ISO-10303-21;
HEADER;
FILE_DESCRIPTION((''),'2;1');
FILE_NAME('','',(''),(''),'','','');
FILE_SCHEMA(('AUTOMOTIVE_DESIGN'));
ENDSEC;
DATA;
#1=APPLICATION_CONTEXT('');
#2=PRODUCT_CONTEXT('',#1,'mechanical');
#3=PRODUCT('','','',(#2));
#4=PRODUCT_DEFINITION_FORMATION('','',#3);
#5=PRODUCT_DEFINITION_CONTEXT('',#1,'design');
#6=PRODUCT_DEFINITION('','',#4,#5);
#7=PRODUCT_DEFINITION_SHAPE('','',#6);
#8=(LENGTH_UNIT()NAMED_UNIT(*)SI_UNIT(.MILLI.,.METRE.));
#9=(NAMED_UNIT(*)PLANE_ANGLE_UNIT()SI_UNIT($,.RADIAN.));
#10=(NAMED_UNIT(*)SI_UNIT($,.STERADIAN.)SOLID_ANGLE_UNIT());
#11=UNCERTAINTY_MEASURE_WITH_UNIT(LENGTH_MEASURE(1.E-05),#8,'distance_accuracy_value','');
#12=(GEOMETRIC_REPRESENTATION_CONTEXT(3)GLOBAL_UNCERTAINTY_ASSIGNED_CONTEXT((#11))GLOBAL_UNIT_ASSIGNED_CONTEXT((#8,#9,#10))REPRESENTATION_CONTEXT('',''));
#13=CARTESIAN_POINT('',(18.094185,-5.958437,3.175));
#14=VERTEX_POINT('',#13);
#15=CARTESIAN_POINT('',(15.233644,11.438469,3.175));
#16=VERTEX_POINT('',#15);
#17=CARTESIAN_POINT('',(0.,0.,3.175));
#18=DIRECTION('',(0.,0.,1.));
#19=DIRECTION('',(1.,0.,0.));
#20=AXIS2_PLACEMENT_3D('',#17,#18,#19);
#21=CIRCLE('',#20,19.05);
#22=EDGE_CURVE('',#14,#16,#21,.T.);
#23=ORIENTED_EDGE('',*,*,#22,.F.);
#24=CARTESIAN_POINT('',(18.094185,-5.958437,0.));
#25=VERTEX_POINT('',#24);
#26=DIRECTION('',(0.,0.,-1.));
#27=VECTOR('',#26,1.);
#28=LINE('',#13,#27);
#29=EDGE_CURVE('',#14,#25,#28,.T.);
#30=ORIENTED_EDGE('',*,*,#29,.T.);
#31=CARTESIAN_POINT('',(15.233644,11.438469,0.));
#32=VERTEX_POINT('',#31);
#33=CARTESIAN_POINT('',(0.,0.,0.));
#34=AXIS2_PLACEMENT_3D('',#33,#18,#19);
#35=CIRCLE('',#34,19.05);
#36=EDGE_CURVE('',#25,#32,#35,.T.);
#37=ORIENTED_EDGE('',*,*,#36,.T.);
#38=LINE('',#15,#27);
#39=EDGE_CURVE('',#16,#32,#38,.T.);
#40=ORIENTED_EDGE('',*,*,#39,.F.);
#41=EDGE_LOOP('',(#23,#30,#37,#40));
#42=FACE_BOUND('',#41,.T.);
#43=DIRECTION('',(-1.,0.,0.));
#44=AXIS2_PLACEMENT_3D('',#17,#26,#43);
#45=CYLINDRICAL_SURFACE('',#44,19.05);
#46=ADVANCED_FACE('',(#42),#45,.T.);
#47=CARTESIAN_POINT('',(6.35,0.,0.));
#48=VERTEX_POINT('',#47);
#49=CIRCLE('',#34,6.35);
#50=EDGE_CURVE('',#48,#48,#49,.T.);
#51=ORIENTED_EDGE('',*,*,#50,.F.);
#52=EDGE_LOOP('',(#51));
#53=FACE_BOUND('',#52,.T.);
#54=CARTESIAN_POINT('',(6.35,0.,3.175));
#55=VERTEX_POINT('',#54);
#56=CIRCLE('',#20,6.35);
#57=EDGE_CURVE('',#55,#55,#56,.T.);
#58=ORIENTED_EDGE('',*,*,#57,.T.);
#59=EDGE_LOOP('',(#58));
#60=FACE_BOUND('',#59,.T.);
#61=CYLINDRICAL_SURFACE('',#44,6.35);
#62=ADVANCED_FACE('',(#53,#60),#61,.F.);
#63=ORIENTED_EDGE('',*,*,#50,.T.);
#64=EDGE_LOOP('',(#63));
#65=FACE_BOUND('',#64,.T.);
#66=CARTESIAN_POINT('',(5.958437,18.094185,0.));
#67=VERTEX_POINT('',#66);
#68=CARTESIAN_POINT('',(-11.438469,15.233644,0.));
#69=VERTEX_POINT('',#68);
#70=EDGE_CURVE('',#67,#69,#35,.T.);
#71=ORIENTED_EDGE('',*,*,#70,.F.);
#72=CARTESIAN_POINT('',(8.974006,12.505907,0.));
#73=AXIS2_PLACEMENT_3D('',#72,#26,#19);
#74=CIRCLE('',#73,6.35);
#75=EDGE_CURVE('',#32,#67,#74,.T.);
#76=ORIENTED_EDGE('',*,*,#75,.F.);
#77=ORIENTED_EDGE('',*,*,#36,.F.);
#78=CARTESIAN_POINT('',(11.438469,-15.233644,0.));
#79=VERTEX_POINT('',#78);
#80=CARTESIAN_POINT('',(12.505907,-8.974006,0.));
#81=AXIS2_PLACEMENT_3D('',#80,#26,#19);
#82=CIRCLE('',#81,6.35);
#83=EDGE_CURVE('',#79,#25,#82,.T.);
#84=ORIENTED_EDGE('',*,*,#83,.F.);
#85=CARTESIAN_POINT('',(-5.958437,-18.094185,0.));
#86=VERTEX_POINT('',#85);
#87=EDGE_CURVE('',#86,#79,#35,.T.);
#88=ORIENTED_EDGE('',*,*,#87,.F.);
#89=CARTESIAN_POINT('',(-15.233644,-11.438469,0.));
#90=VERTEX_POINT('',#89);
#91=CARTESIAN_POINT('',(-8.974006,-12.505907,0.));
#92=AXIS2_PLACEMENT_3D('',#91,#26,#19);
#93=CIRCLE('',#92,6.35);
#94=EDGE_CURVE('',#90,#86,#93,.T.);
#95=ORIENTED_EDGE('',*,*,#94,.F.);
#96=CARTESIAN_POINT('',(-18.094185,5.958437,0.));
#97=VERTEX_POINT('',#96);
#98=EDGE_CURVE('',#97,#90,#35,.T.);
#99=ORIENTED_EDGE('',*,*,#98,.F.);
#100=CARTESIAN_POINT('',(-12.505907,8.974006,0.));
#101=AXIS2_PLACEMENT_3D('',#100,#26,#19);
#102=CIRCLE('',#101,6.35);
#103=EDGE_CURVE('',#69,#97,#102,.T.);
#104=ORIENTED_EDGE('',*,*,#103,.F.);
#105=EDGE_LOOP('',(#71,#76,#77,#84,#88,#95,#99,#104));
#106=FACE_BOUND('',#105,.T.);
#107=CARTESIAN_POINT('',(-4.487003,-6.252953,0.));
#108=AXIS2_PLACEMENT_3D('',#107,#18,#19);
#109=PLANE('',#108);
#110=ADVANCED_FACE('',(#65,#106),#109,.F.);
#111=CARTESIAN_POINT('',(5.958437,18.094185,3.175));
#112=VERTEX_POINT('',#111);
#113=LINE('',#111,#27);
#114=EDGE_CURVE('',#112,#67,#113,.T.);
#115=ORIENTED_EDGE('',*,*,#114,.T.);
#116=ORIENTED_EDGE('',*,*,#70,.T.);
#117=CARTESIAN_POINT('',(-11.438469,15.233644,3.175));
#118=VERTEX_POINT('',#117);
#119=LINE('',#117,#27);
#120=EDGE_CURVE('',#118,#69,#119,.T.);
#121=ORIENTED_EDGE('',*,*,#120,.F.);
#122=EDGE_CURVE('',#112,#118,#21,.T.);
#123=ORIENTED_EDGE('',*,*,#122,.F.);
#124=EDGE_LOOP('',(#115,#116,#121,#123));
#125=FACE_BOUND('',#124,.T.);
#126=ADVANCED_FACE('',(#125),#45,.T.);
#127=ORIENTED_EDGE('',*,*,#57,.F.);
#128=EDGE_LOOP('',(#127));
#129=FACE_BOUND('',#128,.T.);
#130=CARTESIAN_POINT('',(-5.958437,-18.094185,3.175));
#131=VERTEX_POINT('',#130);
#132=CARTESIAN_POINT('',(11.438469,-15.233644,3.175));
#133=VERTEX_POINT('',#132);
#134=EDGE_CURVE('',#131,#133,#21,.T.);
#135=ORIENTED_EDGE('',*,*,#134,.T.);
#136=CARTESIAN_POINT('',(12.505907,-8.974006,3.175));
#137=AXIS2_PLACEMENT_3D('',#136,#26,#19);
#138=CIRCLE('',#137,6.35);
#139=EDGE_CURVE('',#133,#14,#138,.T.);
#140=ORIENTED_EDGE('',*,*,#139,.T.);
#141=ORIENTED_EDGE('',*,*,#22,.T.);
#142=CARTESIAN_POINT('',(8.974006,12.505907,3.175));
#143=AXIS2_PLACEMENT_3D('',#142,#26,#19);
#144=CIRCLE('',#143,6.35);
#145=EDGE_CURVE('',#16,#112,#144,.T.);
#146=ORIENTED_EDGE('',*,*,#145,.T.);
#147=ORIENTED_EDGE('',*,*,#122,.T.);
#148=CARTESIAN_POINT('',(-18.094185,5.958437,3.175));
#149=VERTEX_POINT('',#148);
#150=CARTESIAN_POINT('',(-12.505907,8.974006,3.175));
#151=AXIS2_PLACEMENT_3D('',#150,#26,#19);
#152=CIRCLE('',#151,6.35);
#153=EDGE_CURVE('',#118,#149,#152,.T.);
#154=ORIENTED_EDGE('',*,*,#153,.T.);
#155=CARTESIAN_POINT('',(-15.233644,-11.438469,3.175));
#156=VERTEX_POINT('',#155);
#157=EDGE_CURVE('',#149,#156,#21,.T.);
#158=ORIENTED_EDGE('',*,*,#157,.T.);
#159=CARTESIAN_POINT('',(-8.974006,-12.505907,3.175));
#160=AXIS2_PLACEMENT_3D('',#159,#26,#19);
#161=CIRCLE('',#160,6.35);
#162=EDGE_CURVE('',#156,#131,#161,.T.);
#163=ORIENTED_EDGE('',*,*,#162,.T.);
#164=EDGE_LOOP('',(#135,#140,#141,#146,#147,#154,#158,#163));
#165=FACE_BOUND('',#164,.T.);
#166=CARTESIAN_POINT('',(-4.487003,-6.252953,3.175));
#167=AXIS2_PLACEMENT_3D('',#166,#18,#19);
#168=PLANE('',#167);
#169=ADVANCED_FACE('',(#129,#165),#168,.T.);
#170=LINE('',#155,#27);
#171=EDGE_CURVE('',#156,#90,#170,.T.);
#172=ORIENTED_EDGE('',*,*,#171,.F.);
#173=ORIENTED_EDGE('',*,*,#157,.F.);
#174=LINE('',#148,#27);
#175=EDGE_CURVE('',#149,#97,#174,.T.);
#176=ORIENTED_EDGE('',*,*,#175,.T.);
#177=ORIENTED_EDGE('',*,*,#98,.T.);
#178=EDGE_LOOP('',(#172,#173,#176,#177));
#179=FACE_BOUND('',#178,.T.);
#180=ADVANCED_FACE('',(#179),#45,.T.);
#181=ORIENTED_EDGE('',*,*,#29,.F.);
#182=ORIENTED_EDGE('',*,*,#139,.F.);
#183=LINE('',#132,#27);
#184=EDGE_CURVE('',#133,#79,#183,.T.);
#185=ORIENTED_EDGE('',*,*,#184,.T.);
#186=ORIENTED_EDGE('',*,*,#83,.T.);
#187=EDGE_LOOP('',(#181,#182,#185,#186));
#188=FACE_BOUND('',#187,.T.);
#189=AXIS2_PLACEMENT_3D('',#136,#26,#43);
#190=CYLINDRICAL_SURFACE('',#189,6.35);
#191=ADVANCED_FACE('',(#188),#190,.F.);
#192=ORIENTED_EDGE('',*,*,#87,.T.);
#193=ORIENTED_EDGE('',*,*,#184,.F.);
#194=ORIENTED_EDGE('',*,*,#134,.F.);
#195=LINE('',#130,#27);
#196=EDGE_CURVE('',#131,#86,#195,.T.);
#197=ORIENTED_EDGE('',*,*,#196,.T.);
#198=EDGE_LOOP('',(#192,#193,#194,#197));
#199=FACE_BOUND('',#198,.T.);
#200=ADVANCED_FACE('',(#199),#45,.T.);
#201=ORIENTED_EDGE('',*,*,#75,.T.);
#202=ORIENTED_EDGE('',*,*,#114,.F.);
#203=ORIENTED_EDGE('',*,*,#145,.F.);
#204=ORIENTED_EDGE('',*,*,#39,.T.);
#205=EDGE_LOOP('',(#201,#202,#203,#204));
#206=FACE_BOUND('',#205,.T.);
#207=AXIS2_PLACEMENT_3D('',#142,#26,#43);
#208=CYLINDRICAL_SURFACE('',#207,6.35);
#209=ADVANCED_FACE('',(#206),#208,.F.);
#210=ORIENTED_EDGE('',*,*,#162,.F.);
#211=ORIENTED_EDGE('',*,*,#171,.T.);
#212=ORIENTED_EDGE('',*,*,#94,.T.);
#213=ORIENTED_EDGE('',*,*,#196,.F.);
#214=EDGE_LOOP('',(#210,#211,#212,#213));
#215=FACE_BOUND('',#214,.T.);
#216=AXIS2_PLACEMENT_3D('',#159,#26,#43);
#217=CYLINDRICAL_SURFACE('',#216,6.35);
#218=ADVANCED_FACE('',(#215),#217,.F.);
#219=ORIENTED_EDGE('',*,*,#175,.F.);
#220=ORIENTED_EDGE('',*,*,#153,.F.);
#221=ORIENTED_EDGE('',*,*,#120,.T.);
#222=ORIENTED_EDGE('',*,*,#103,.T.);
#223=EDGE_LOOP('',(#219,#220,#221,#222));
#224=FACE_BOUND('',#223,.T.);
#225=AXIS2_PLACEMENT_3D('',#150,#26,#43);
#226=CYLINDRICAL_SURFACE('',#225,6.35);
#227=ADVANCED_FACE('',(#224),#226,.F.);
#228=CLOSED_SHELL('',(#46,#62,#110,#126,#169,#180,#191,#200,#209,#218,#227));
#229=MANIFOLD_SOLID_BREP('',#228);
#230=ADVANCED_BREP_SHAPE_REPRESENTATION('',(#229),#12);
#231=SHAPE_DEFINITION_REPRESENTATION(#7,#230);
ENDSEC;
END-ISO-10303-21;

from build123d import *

# Parameters (mm, degrees)
SKETCH1_R           = 6.35
BOSS_EXTRUDE1_DEPTH = 3.175


with BuildPart() as part:
    # Sketch1 → Boss-Extrude1 (new body)
    with BuildSketch(Plane.XY):
        with BuildLine():
            ThreePointArc((-18.094184787, 5.958437454), (-18.797583349, -3.090851056), (-15.233644329, -11.438469323))
            ThreePointArc((-15.233644329, -11.438469323), (-5.271893312, -7.346753532), (-5.958437454, -18.094184787))
            ThreePointArc((-5.958437454, -18.094184787), (3.090851056, -18.797583349), (11.438469323, -15.233644329))
            ThreePointArc((11.438469323, -15.233644329), (7.346753532, -5.271893312), (18.094184787, -5.958437454))
            ThreePointArc((18.094184787, -5.958437454), (18.797583349, 3.090851056), (15.233644329, 11.438469323))
            ThreePointArc((15.233644329, 11.438469323), (5.271893312, 7.346753532), (5.958437454, 18.094184787))
            ThreePointArc((5.958437454, 18.094184787), (-3.090851056, 18.797583349), (-11.438469323, 15.233644329))
            ThreePointArc((-11.438469323, 15.233644329), (-7.346753532, 5.271893312), (-18.094184787, 5.958437454))
        make_face()
        Circle(SKETCH1_R, mode=Mode.SUBTRACT)
    extrude(amount=BOSS_EXTRUDE1_DEPTH)


solid = part.part
